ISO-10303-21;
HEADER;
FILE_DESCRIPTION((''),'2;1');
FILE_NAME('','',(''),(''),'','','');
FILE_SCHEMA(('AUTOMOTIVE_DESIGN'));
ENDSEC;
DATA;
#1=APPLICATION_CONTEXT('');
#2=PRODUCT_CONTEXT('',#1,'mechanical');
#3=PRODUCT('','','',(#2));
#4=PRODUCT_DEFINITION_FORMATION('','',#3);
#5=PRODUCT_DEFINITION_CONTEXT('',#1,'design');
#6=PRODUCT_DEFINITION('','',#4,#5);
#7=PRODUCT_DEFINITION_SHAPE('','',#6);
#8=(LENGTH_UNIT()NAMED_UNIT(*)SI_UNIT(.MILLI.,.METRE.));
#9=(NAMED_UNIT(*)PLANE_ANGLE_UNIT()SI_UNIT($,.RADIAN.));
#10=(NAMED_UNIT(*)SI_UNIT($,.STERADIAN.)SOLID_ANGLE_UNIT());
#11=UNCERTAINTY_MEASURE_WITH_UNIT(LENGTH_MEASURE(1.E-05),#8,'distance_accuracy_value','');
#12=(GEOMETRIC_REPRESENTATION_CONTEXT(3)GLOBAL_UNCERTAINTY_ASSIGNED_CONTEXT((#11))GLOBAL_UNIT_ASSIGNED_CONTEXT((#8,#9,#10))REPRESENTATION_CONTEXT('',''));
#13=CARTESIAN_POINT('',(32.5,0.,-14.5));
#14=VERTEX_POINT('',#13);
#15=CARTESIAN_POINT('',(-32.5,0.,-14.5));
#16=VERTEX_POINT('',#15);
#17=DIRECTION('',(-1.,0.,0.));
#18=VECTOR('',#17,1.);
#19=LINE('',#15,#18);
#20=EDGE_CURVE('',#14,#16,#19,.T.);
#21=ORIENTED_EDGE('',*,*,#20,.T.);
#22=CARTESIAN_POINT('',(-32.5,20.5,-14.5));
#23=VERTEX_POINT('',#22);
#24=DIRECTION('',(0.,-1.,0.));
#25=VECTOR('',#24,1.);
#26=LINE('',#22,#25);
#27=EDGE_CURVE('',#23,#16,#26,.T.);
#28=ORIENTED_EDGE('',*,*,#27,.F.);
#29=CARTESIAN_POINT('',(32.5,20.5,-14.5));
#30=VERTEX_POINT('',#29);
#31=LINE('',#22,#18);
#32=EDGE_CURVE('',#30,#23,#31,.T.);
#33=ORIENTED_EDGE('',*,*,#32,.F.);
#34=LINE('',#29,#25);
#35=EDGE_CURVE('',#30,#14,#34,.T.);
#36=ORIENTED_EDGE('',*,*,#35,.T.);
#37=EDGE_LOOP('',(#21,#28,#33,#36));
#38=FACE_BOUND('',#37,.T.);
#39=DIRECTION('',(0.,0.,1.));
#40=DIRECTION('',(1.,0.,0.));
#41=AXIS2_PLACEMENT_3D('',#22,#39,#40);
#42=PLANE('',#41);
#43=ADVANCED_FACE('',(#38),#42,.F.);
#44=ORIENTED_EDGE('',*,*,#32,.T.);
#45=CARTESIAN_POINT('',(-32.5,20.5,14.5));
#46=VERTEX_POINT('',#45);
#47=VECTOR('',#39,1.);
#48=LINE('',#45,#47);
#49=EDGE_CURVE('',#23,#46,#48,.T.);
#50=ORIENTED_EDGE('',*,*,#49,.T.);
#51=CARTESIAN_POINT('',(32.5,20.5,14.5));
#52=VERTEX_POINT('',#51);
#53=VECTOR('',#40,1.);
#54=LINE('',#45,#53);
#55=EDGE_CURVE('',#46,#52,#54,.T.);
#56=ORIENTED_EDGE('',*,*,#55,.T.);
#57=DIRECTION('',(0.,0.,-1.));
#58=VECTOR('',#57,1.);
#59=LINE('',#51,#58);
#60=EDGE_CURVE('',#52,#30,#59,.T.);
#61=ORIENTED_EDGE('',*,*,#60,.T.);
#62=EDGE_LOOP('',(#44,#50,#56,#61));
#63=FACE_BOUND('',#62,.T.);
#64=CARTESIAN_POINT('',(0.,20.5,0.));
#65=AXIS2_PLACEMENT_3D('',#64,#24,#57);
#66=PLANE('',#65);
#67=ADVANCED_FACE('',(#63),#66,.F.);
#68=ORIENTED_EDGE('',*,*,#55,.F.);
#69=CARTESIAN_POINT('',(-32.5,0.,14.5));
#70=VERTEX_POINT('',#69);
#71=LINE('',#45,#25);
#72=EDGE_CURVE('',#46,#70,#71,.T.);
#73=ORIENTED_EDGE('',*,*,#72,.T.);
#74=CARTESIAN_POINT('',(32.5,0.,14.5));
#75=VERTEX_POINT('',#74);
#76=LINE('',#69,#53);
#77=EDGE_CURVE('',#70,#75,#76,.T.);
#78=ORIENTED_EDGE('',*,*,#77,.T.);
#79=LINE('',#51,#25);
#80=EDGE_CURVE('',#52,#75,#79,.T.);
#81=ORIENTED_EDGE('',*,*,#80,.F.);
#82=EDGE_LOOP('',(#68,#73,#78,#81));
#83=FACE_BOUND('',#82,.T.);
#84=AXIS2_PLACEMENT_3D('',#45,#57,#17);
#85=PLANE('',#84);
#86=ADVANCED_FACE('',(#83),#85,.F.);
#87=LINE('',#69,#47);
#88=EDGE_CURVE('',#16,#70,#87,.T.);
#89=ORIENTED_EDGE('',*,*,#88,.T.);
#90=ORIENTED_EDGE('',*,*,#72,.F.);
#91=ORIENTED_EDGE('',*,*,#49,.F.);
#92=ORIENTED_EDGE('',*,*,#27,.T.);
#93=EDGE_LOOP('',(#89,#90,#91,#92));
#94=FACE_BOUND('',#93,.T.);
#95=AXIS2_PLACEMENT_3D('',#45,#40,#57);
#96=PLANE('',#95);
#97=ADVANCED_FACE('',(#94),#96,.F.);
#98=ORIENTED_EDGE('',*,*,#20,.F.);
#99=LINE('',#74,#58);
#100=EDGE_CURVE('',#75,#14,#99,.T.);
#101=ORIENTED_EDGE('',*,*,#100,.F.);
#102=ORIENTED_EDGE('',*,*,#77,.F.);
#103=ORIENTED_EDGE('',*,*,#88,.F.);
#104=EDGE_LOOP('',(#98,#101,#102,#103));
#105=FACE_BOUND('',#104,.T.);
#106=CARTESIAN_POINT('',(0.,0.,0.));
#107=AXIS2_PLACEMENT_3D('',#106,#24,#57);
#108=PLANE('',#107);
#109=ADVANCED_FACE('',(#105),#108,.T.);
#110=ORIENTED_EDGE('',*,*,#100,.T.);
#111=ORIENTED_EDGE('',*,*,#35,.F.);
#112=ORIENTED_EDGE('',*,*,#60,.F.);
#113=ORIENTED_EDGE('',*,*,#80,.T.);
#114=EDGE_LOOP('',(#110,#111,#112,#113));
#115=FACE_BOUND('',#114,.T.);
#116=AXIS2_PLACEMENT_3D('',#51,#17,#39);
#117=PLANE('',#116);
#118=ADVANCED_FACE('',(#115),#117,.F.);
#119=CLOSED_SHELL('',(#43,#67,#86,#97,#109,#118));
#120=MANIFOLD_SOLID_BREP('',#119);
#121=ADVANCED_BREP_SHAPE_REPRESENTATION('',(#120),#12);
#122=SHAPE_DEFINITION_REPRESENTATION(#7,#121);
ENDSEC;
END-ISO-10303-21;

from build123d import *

# Parameters (mm, degrees)
SKETCH_1_W      = 65
SKETCH_1_H      = 29
EXTRUDE_1_DEPTH = 20.5


with BuildPart() as part:
    # 草图1 → 凸台-拉伸1 (new body)
    with BuildSketch(Plane(origin=(0, 0, 0), x_dir=(1, 0, 0), z_dir=(0, 1, 0))):
        Rectangle(SKETCH_1_W, SKETCH_1_H)
    extrude(amount=EXTRUDE_1_DEPTH)


solid = part.part
